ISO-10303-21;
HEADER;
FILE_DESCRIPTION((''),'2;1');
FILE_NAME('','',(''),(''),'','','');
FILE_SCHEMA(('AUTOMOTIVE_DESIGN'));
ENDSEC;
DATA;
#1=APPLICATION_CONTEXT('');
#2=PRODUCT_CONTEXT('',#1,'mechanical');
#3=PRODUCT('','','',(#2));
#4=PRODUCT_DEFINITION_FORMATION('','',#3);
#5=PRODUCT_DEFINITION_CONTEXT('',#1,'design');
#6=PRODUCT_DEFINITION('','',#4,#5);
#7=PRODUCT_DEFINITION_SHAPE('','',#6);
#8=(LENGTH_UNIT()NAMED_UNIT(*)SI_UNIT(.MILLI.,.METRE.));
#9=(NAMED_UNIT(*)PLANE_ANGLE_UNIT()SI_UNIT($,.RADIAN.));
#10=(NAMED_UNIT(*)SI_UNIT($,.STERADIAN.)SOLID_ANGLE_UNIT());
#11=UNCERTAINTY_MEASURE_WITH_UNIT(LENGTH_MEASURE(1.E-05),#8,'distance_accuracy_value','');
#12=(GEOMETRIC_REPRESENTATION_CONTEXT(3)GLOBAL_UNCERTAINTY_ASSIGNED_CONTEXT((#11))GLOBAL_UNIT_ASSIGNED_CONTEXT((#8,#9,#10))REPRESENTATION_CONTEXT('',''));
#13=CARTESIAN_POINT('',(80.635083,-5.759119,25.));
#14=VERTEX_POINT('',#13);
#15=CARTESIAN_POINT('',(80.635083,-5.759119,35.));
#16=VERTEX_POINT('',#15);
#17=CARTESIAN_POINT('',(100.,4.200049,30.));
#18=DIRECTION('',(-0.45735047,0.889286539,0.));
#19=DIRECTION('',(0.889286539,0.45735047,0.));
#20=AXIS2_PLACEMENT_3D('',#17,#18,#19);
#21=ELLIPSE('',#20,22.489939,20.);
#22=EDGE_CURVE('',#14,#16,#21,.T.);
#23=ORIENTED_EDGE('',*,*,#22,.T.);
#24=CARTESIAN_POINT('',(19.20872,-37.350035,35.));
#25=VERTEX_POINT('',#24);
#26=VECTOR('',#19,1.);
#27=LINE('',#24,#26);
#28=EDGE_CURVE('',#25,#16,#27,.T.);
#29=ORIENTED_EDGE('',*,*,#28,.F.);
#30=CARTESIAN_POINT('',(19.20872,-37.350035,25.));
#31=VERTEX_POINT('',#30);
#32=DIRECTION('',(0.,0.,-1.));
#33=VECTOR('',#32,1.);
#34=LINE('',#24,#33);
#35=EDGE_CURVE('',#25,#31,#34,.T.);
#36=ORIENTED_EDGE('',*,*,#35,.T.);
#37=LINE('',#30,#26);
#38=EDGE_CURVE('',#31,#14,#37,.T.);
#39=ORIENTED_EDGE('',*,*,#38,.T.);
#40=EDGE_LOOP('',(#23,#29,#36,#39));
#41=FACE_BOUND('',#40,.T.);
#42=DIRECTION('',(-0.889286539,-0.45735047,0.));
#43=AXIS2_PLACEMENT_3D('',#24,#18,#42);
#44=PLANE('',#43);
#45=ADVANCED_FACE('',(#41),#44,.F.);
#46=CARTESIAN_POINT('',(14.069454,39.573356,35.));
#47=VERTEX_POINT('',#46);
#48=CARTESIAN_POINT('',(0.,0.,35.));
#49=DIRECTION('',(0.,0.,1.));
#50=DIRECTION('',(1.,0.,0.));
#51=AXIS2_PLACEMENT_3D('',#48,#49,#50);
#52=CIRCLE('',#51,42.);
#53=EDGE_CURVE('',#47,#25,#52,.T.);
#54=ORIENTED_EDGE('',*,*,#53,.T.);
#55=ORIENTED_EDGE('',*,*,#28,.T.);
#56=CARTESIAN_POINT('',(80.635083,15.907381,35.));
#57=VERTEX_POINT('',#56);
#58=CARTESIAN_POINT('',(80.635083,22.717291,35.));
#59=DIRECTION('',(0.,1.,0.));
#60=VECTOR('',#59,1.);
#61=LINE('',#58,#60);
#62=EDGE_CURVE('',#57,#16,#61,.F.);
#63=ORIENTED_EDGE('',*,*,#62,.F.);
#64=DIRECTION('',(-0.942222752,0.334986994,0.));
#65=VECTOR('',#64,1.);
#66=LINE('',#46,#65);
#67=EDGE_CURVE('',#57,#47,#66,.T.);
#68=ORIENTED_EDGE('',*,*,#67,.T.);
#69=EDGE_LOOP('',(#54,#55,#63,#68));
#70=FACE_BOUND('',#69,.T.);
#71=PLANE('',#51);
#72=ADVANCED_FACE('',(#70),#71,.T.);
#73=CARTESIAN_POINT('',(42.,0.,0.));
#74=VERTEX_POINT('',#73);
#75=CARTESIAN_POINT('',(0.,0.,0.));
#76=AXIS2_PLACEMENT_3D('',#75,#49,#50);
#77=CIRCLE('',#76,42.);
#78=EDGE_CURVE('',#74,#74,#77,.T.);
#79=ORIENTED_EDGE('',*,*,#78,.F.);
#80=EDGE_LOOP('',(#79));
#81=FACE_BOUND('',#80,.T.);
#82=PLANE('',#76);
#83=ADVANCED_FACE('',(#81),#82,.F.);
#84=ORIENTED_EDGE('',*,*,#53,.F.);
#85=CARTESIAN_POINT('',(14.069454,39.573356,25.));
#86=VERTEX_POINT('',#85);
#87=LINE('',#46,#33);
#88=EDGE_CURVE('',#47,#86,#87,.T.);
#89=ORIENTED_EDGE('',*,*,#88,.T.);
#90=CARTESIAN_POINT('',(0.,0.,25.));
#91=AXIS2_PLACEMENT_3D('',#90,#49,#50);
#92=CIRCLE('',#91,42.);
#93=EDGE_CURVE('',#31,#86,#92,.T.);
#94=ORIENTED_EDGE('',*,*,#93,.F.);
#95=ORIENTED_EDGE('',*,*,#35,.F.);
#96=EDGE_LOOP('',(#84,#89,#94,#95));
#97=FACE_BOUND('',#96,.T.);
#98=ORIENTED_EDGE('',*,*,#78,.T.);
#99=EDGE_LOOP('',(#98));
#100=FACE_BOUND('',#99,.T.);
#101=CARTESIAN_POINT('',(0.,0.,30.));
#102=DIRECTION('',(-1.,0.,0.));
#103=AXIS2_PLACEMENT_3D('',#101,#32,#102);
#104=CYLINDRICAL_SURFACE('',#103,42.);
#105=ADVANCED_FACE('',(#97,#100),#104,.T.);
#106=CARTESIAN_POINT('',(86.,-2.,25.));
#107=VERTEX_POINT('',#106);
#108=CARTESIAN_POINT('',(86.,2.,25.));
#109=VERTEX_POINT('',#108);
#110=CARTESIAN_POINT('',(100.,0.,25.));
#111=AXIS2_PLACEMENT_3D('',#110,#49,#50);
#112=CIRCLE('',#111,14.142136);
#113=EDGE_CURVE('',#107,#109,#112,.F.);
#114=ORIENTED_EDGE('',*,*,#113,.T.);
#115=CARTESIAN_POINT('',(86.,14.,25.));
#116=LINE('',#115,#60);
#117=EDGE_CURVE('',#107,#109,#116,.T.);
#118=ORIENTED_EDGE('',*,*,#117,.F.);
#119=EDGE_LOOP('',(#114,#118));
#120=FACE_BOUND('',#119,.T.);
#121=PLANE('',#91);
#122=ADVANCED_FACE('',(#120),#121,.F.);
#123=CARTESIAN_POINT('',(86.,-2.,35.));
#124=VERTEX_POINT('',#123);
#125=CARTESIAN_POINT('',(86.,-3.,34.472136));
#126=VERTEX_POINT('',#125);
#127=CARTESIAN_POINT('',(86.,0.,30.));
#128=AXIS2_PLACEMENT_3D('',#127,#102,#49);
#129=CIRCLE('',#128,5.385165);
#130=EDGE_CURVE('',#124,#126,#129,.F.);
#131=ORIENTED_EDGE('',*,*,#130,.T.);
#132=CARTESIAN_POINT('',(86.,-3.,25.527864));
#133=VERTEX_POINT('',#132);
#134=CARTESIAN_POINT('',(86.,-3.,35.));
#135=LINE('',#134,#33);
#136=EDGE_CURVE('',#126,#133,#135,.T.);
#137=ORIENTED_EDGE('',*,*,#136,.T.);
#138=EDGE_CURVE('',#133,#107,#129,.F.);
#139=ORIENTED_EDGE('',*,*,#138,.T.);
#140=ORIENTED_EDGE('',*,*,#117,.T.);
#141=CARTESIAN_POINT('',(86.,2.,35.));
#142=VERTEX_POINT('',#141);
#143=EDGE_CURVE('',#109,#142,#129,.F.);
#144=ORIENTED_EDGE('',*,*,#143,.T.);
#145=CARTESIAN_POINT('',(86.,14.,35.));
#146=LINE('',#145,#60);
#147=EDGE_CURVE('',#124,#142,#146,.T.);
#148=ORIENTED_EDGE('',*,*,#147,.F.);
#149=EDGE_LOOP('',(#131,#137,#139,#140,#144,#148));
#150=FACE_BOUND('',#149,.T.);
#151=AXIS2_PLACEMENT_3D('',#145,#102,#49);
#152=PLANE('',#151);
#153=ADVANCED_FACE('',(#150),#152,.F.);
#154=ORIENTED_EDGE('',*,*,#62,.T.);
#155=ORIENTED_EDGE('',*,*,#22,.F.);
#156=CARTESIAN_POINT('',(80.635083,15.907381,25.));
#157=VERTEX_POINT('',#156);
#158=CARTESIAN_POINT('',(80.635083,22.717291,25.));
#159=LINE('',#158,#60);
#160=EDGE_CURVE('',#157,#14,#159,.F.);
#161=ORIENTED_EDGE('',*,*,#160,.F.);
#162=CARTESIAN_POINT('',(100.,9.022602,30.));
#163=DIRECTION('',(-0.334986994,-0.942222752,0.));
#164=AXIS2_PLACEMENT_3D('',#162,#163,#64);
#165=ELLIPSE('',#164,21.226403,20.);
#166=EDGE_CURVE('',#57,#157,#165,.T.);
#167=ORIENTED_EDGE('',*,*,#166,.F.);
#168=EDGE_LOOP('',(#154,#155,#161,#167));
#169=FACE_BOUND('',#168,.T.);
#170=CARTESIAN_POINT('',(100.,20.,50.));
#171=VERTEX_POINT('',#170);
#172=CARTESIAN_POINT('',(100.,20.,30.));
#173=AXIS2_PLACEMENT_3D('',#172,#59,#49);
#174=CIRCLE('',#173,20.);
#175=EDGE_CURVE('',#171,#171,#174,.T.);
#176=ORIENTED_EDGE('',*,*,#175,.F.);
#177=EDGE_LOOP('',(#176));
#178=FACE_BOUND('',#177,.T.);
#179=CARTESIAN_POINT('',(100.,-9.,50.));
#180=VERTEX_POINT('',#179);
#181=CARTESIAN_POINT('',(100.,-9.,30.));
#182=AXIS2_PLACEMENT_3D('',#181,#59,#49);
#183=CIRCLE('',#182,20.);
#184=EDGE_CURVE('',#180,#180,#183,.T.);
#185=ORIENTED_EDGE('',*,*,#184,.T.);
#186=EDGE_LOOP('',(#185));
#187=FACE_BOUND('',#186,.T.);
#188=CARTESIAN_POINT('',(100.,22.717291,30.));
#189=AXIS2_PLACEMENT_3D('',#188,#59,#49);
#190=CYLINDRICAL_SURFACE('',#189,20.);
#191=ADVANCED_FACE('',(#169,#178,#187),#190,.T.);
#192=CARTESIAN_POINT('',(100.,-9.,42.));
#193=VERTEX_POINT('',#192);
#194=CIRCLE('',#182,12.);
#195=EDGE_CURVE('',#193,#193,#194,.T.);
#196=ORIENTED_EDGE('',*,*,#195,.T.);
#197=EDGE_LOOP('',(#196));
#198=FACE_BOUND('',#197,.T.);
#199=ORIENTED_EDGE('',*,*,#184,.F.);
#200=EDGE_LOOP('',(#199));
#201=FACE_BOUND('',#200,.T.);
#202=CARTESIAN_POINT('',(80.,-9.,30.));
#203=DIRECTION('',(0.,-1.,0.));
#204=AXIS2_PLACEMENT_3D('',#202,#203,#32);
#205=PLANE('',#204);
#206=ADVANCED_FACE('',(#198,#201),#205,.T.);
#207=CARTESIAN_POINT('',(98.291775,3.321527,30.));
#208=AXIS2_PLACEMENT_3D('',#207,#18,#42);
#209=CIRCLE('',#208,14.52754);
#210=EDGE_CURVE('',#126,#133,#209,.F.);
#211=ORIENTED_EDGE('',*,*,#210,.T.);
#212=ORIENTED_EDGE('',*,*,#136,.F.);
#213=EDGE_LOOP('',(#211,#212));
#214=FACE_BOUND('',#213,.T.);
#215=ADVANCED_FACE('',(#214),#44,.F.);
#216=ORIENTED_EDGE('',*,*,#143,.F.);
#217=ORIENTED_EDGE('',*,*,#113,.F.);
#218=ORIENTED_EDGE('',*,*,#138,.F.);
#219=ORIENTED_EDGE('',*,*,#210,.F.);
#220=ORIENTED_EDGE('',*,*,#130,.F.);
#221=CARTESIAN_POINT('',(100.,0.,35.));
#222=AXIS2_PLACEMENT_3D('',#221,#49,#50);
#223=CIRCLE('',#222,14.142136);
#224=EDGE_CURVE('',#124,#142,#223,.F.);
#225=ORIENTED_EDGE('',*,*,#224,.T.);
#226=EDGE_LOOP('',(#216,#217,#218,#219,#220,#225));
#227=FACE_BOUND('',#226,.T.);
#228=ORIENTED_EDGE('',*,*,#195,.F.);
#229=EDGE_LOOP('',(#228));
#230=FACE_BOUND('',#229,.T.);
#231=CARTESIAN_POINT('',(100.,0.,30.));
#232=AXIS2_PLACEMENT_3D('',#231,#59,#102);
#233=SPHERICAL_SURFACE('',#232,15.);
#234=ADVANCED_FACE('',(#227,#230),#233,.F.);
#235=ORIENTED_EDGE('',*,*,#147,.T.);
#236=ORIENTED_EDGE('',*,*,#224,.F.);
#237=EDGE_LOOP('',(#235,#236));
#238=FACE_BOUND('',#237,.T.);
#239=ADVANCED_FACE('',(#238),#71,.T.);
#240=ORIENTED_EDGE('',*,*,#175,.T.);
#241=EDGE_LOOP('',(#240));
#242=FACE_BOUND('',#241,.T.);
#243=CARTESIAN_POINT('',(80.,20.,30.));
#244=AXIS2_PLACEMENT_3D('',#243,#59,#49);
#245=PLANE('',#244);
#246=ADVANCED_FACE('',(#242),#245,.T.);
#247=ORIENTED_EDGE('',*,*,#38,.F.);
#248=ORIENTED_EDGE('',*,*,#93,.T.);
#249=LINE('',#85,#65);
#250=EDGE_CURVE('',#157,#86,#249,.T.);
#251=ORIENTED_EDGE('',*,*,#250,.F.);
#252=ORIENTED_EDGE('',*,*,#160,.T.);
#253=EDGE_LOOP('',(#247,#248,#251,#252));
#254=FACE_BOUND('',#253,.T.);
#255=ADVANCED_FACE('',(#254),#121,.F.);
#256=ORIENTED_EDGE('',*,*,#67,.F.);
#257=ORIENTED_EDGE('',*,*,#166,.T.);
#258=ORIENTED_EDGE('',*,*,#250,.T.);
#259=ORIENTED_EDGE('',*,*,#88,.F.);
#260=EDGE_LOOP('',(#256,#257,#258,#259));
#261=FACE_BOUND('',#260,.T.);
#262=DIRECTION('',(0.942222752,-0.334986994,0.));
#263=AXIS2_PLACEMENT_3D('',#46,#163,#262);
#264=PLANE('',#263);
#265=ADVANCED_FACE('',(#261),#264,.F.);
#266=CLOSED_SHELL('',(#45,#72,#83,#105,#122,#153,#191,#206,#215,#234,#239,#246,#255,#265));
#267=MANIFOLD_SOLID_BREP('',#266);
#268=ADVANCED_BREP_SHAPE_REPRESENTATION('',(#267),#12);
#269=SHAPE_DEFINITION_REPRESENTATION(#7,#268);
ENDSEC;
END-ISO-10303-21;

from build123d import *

# Parameters (mm, degrees)
SKETCH_1_R      = 42
EXTRUDE_1_DEPTH = 30
EXTRUDE_2_DEPTH = 5


with BuildPart() as part:
    # 草图1 → 凸台-拉伸1 (new body)
    with BuildSketch(Plane.XY):
        Circle(SKETCH_1_R)
    extrude(amount=EXTRUDE_1_DEPTH)



with BuildPart() as body_2:
    # 草图2 → 旋转1 (revolve)
    with BuildSketch(Plane.XY.offset(30), mode=Mode.PRIVATE) as revolve_1_sk:
        with BuildLine():
            Line((100, 20), (100, 15))
            ThreePointArc((100, 15), (86.583592135, 6.708203932), (88, -9))
            Line((88, -9), (80, -9))
            Line((80, -9), (80, 20))
            Line((80, 20), (100, 20))
        make_face()
    revolve(revolve_1_sk.sketch.rotate(Axis((100, 22.717290725, 30), (0, -1, 0)), 270), axis=Axis((100, 22.717290725, 30), (0, -1, 0)))


with BuildPart() as part_1:
    add(part.part)

    add(body_2.part)  # 凸台-拉伸2 merges body 2
    # 草图3 → 凸台-拉伸2 (add, symmetric)
    with BuildSketch(Plane.XY.offset(30)):
        with BuildLine():
            Line((14.069453744, 39.573355574), (86, 14))
            Line((86, 14), (86, -3))
            Line((86, -3), (19.208719722, -37.350034627))
            ThreePointArc((19.208719722, -37.350034627), (-41.906577017, -2.79978619), (14.069453744, 39.573355574))
        make_face()
    extrude(amount=EXTRUDE_2_DEPTH, both=True)


solid = part_1.part
